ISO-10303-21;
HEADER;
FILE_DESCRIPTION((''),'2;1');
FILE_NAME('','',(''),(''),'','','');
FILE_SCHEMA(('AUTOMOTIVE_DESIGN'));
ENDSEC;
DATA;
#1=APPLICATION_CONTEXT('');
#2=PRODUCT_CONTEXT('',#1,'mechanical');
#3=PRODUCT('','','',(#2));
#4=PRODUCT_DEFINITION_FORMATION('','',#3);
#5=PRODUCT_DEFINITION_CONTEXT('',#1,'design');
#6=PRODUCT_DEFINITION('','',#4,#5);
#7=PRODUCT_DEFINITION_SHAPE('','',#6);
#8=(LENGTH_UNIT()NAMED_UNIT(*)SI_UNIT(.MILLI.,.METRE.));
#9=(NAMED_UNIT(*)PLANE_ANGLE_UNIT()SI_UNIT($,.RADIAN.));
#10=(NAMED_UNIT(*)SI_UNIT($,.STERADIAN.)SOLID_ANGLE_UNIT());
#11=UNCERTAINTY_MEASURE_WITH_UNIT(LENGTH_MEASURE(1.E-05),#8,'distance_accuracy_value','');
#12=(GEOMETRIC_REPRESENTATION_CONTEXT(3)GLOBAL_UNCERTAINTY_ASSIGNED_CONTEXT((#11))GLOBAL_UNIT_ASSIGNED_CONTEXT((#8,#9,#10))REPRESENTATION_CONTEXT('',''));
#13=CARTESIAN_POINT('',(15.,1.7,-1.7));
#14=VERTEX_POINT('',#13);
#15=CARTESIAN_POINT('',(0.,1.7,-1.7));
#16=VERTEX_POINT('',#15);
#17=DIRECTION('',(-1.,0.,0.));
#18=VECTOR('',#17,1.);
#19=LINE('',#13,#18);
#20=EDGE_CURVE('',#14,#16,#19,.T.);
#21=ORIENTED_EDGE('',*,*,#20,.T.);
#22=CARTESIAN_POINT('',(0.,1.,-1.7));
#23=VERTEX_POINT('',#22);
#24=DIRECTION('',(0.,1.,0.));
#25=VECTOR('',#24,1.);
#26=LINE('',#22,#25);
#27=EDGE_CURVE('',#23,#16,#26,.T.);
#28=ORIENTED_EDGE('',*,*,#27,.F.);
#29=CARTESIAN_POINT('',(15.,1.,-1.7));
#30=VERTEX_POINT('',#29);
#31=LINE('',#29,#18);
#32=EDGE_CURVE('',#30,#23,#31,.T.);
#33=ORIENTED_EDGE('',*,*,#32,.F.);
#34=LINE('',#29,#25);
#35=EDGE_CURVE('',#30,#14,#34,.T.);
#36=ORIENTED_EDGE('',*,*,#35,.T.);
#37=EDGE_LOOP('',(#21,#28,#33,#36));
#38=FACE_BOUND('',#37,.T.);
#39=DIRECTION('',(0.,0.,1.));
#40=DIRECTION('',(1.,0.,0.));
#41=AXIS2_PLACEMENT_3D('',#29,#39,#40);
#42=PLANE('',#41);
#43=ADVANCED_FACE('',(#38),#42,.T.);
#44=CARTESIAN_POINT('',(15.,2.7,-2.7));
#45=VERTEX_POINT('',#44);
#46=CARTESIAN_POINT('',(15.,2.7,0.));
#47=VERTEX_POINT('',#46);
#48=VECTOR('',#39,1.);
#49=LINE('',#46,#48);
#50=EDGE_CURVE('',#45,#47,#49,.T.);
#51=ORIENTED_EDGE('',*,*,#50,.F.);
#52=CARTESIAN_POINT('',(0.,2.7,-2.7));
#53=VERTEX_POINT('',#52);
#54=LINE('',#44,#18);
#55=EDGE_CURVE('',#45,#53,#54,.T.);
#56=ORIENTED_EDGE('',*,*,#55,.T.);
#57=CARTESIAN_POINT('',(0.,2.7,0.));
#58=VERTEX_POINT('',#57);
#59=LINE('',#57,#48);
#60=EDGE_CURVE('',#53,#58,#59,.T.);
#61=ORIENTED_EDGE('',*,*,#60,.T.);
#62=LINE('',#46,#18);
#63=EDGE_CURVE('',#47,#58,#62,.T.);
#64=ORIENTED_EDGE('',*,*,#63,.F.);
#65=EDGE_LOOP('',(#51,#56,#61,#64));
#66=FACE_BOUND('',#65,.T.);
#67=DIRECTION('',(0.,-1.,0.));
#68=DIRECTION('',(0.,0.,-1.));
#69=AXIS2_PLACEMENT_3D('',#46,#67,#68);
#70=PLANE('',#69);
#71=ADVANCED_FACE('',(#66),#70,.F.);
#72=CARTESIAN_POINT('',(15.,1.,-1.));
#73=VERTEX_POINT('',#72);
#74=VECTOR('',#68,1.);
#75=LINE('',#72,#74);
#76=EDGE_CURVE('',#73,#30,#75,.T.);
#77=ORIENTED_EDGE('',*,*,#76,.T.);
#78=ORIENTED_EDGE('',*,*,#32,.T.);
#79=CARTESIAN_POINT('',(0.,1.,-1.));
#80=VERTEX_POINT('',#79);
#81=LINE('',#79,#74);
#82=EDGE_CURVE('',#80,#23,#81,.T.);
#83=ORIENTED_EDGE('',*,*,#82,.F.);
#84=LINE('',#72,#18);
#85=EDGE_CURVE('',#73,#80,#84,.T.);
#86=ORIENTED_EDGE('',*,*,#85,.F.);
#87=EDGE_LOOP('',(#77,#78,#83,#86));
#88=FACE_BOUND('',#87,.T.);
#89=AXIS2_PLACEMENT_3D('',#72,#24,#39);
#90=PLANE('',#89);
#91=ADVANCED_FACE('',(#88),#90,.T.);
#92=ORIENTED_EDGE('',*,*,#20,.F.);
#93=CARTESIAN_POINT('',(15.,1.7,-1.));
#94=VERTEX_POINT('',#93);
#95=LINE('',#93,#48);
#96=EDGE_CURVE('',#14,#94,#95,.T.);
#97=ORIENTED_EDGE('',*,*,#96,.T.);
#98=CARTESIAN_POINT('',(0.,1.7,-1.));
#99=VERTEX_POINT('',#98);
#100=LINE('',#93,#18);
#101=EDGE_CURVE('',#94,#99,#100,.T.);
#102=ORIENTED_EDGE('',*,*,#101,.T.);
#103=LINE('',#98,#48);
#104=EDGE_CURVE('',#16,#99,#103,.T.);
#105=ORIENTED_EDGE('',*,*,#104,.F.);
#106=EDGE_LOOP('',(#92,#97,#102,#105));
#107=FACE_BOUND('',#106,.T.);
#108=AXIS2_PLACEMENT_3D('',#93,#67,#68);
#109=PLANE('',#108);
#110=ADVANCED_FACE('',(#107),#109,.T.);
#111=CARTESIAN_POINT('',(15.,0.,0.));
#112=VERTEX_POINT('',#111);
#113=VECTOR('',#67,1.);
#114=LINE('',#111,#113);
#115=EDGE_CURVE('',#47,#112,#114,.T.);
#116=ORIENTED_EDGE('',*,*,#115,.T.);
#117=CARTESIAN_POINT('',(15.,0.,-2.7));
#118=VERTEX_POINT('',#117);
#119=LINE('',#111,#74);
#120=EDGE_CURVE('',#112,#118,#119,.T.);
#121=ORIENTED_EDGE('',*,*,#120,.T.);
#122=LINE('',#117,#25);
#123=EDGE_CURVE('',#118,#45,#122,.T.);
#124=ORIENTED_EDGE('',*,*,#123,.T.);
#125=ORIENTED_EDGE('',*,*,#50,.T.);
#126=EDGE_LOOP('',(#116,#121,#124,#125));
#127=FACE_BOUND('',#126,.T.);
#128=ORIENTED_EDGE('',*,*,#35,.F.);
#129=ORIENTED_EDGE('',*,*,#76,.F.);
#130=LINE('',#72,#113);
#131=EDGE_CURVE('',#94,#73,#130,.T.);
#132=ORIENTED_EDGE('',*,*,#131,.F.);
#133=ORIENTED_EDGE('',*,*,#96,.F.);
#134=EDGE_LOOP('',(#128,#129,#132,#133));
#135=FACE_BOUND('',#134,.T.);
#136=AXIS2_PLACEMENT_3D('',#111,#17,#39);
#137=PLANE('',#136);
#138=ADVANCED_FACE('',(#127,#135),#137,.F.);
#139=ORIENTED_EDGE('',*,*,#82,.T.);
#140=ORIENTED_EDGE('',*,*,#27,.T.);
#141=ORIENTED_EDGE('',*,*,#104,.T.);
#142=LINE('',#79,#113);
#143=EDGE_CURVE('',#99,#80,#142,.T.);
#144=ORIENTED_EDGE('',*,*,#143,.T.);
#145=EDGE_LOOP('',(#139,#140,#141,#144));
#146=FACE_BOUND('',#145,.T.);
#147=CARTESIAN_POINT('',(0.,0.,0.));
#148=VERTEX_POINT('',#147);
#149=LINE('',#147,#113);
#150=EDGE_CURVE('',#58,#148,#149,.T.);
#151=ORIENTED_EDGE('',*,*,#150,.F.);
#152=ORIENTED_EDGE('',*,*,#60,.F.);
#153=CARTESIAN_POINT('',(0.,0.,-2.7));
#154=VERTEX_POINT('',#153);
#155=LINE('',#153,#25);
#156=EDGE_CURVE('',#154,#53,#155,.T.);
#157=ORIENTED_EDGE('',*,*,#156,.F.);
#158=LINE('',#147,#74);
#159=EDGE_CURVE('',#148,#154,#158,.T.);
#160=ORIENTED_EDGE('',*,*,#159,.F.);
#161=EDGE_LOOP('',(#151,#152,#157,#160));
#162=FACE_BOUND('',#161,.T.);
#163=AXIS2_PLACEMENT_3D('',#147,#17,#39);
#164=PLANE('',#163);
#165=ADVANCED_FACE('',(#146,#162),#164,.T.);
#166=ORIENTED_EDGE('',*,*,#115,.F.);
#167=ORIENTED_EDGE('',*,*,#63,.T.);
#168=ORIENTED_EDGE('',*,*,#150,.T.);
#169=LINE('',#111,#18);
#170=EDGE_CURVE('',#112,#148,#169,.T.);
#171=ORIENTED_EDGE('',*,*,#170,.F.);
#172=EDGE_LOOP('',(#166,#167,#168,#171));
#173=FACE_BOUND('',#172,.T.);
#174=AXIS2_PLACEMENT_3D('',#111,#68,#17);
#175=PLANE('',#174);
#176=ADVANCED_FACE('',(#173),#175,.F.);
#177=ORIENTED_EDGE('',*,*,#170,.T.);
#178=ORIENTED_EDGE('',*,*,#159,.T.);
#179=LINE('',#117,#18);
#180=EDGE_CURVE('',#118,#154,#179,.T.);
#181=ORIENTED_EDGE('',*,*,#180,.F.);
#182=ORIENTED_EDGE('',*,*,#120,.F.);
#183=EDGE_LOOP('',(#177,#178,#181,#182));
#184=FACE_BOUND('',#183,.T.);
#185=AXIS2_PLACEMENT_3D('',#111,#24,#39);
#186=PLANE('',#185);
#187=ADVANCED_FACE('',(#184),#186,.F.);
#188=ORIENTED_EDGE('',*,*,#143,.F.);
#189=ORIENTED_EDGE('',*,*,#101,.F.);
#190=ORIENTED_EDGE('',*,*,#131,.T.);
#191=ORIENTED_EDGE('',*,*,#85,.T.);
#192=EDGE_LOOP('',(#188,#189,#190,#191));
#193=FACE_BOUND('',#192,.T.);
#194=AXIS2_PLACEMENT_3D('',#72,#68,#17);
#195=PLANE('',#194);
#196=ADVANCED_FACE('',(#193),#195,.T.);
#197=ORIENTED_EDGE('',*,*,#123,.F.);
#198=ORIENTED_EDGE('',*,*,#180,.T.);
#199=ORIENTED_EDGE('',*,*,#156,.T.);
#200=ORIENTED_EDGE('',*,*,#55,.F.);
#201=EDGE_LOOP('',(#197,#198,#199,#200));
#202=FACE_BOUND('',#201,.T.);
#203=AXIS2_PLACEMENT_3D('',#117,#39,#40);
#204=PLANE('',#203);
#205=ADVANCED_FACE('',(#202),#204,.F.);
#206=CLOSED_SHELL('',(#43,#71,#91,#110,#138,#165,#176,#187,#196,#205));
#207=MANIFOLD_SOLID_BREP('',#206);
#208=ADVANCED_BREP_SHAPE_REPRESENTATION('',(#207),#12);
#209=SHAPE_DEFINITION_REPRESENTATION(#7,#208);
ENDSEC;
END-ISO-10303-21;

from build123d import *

# Parameters (mm, degrees)
SKETCH1_W           = 2.7
SKETCH1_H           = 2.7
SKETCH1_W_2         = 0.7
SKETCH1_H_2         = 0.7
BOSS_EXTRUDE1_DEPTH = 15


with BuildPart() as part:
    # Sketch1 → Boss-Extrude1 (new body)
    with BuildSketch(Plane(origin=(0, 0, 0), x_dir=(0, 0, -1), z_dir=(1, 0, 0))):
        with Locations((1.35, 1.35)):
            Rectangle(SKETCH1_W, SKETCH1_H)
        with Locations((1.35, 1.35)):
            Rectangle(SKETCH1_W_2, SKETCH1_H_2, mode=Mode.SUBTRACT)
    extrude(amount=BOSS_EXTRUDE1_DEPTH)


solid = part.part
